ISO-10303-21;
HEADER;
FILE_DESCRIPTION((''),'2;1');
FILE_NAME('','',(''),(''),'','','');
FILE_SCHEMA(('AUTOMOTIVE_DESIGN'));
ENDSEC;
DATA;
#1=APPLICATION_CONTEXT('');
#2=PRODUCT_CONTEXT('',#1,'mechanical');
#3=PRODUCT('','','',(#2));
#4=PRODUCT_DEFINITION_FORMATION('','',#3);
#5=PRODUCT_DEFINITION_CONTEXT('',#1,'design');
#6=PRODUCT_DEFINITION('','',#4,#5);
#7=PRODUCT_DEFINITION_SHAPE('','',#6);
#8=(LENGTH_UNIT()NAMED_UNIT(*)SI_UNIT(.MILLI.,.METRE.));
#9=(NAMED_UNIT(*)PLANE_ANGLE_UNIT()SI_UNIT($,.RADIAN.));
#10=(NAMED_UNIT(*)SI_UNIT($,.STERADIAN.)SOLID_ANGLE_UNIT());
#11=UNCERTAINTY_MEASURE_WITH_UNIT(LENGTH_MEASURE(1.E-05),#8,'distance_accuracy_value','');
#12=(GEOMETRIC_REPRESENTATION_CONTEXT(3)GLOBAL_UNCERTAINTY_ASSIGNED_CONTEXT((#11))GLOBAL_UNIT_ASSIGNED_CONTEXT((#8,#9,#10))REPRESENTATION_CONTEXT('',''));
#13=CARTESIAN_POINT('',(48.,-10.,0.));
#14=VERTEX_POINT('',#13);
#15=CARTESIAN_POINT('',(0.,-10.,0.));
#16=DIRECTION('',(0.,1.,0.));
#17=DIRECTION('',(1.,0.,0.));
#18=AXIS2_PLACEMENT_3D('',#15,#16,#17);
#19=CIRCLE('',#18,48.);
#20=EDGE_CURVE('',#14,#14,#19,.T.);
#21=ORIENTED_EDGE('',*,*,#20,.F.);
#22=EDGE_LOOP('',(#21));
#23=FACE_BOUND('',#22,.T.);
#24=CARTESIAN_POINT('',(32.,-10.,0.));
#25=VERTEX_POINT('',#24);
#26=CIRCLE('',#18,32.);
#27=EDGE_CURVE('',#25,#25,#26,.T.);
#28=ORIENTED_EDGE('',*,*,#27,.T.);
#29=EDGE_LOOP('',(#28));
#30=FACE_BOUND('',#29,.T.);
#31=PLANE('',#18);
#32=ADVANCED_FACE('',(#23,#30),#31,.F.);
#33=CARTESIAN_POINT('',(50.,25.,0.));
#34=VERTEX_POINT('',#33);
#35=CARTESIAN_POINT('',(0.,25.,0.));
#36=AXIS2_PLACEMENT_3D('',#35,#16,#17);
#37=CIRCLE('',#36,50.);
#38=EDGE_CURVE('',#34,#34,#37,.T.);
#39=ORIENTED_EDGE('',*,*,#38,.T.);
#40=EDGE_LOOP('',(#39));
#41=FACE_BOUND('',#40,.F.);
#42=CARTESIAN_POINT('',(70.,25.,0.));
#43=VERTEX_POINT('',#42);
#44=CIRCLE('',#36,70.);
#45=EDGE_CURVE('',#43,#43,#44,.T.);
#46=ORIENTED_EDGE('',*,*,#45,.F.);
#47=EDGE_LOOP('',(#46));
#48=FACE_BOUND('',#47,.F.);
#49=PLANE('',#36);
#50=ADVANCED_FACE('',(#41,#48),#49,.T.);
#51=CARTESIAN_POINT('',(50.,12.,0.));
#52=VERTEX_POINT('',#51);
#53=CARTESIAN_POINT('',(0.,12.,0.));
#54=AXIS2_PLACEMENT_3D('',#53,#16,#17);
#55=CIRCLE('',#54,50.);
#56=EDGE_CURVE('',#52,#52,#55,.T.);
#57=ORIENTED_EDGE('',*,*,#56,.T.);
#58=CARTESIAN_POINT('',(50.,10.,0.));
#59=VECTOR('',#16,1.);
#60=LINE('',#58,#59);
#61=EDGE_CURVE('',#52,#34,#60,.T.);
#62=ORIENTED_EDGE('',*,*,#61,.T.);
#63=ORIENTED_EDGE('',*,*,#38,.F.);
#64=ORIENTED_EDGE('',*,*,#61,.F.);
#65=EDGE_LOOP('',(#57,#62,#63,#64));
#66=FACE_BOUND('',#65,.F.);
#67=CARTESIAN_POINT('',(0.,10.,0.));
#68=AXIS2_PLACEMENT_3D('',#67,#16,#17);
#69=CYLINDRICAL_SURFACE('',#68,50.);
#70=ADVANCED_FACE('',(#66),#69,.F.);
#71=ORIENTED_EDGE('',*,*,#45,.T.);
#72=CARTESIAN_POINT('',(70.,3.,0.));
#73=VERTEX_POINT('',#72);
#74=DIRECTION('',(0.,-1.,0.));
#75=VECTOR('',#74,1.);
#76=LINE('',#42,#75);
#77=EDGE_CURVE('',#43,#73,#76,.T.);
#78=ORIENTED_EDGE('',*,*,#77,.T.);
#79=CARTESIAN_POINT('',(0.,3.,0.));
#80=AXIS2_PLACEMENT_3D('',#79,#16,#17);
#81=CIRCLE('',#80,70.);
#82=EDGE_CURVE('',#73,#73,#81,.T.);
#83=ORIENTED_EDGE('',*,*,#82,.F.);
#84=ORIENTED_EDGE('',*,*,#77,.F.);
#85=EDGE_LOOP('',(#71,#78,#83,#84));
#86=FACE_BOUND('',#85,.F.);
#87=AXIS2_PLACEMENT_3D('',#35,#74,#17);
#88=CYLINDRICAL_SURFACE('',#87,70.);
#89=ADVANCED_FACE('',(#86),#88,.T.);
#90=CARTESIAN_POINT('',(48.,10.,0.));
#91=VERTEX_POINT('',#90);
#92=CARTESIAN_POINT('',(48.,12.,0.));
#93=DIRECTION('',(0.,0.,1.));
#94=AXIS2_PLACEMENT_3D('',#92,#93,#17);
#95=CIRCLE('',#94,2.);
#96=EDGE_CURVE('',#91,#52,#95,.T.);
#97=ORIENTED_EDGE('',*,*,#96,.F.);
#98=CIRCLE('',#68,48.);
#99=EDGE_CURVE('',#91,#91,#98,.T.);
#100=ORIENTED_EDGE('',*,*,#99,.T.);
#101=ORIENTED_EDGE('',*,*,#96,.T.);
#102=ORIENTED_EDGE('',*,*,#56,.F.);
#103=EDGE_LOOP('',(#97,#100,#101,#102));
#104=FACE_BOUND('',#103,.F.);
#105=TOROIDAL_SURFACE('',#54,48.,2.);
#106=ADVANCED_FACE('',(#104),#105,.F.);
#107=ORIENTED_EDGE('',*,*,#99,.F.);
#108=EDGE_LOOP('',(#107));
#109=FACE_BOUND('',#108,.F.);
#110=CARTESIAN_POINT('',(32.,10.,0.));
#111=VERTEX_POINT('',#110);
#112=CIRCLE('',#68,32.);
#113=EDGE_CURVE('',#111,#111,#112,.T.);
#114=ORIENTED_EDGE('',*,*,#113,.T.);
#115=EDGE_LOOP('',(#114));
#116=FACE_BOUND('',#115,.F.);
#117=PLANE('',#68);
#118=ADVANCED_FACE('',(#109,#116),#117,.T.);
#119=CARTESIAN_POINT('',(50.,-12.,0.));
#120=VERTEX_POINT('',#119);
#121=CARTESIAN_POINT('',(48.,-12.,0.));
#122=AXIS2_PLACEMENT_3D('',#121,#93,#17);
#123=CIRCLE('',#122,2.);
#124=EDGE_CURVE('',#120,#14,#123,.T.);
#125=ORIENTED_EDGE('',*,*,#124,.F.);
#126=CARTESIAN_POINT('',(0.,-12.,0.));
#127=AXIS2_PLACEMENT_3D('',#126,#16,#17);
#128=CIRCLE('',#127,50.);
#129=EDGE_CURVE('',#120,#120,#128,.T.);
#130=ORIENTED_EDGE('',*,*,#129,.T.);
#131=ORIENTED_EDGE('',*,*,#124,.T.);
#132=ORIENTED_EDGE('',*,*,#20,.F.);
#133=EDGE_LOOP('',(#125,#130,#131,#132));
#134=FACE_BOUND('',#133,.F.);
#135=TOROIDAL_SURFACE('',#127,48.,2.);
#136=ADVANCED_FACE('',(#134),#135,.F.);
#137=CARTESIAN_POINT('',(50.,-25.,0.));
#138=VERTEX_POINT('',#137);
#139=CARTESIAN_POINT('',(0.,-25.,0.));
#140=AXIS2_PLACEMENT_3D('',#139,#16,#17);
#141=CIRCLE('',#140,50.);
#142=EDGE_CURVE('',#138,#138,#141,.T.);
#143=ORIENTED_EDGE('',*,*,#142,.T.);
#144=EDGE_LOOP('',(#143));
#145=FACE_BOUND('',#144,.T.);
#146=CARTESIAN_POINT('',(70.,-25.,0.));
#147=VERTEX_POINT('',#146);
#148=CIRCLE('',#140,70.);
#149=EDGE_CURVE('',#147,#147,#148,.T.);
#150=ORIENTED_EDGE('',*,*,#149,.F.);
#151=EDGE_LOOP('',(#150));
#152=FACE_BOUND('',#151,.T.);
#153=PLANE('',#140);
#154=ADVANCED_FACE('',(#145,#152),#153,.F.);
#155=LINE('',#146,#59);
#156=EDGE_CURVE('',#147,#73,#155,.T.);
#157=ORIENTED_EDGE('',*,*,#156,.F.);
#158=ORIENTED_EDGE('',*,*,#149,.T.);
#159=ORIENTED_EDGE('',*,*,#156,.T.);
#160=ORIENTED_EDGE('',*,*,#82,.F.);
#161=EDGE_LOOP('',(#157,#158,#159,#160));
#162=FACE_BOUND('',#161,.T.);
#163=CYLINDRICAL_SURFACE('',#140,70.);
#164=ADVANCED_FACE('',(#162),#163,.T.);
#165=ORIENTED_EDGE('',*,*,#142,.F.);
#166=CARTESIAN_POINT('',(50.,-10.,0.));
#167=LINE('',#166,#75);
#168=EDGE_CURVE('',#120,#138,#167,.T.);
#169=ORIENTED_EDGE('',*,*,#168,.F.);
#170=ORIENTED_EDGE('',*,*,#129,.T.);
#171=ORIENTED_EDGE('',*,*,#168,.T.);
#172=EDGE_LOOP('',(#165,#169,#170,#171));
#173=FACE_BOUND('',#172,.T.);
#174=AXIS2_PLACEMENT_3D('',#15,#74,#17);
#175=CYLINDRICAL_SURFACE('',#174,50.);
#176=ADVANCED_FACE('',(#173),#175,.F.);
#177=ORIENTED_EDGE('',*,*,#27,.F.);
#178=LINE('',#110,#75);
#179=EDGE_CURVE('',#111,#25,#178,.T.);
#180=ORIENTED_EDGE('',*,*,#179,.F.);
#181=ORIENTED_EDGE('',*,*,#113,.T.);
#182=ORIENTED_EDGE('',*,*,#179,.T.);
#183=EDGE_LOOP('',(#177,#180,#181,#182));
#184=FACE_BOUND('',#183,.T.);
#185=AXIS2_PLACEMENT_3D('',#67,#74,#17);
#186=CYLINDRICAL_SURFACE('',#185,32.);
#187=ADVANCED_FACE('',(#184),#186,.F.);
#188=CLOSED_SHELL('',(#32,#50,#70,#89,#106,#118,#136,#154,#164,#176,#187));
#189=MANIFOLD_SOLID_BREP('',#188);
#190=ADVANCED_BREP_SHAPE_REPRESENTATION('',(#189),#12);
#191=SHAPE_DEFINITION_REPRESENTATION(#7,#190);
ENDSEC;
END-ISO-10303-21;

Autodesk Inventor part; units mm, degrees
ref_plane "YZ Plane" through (0, 0, 0) normal (1, 0, 0) x (0, 1, 0)
ref_plane "XZ Plane" through (0, 0, 0) normal (0, 1, 0) x (-1, 0, 0)
ref_plane "XY Plane" through (0, 0, 0) normal (0, 0, 1) x (1, 0, 0)
sketch "Эскиз1" plane through (0, 0, 0) normal (0, 0, 1) x (1, 0, 0)
  line L0 (0, 0) -> (0, 10)
  line L1 (0, 10) -> (50, 10)
  line L2 (50, 10) -> (50, 25)
  line L3 (50, 25) -> (70, 25)
  line L4 (70, 25) -> (70, 3)
  line L5 (0, 0) -> (4.3397, 0)
  line L6 (0, -10) -> (50, -10)
  line L7 (50, -10) -> (50, -25)
  line L8 (50, -25) -> (70, -25)
  line L9 (70, -25) -> (70, 3)
  line L10 (0, 10) -> (32, 10)
  line L11 (32, 10) -> (32, -10)
  dimension "d0" = 10
  dimension "d1" = 50
  dimension "d2" = 15
  dimension "d3" = 20
  dimension "d4" = 32
revolve "Вращение1" add sketch "Эскиз1" angle 360 about axis through (0, 0, 0) along (0, 1, 0)
fillet "Сопряжение1" radius 2 2 edges at (-50, 10, 0) (-50, -10, 0)
properties part number "Корпус сальника перегородка 1" material "Чугун, серый"
